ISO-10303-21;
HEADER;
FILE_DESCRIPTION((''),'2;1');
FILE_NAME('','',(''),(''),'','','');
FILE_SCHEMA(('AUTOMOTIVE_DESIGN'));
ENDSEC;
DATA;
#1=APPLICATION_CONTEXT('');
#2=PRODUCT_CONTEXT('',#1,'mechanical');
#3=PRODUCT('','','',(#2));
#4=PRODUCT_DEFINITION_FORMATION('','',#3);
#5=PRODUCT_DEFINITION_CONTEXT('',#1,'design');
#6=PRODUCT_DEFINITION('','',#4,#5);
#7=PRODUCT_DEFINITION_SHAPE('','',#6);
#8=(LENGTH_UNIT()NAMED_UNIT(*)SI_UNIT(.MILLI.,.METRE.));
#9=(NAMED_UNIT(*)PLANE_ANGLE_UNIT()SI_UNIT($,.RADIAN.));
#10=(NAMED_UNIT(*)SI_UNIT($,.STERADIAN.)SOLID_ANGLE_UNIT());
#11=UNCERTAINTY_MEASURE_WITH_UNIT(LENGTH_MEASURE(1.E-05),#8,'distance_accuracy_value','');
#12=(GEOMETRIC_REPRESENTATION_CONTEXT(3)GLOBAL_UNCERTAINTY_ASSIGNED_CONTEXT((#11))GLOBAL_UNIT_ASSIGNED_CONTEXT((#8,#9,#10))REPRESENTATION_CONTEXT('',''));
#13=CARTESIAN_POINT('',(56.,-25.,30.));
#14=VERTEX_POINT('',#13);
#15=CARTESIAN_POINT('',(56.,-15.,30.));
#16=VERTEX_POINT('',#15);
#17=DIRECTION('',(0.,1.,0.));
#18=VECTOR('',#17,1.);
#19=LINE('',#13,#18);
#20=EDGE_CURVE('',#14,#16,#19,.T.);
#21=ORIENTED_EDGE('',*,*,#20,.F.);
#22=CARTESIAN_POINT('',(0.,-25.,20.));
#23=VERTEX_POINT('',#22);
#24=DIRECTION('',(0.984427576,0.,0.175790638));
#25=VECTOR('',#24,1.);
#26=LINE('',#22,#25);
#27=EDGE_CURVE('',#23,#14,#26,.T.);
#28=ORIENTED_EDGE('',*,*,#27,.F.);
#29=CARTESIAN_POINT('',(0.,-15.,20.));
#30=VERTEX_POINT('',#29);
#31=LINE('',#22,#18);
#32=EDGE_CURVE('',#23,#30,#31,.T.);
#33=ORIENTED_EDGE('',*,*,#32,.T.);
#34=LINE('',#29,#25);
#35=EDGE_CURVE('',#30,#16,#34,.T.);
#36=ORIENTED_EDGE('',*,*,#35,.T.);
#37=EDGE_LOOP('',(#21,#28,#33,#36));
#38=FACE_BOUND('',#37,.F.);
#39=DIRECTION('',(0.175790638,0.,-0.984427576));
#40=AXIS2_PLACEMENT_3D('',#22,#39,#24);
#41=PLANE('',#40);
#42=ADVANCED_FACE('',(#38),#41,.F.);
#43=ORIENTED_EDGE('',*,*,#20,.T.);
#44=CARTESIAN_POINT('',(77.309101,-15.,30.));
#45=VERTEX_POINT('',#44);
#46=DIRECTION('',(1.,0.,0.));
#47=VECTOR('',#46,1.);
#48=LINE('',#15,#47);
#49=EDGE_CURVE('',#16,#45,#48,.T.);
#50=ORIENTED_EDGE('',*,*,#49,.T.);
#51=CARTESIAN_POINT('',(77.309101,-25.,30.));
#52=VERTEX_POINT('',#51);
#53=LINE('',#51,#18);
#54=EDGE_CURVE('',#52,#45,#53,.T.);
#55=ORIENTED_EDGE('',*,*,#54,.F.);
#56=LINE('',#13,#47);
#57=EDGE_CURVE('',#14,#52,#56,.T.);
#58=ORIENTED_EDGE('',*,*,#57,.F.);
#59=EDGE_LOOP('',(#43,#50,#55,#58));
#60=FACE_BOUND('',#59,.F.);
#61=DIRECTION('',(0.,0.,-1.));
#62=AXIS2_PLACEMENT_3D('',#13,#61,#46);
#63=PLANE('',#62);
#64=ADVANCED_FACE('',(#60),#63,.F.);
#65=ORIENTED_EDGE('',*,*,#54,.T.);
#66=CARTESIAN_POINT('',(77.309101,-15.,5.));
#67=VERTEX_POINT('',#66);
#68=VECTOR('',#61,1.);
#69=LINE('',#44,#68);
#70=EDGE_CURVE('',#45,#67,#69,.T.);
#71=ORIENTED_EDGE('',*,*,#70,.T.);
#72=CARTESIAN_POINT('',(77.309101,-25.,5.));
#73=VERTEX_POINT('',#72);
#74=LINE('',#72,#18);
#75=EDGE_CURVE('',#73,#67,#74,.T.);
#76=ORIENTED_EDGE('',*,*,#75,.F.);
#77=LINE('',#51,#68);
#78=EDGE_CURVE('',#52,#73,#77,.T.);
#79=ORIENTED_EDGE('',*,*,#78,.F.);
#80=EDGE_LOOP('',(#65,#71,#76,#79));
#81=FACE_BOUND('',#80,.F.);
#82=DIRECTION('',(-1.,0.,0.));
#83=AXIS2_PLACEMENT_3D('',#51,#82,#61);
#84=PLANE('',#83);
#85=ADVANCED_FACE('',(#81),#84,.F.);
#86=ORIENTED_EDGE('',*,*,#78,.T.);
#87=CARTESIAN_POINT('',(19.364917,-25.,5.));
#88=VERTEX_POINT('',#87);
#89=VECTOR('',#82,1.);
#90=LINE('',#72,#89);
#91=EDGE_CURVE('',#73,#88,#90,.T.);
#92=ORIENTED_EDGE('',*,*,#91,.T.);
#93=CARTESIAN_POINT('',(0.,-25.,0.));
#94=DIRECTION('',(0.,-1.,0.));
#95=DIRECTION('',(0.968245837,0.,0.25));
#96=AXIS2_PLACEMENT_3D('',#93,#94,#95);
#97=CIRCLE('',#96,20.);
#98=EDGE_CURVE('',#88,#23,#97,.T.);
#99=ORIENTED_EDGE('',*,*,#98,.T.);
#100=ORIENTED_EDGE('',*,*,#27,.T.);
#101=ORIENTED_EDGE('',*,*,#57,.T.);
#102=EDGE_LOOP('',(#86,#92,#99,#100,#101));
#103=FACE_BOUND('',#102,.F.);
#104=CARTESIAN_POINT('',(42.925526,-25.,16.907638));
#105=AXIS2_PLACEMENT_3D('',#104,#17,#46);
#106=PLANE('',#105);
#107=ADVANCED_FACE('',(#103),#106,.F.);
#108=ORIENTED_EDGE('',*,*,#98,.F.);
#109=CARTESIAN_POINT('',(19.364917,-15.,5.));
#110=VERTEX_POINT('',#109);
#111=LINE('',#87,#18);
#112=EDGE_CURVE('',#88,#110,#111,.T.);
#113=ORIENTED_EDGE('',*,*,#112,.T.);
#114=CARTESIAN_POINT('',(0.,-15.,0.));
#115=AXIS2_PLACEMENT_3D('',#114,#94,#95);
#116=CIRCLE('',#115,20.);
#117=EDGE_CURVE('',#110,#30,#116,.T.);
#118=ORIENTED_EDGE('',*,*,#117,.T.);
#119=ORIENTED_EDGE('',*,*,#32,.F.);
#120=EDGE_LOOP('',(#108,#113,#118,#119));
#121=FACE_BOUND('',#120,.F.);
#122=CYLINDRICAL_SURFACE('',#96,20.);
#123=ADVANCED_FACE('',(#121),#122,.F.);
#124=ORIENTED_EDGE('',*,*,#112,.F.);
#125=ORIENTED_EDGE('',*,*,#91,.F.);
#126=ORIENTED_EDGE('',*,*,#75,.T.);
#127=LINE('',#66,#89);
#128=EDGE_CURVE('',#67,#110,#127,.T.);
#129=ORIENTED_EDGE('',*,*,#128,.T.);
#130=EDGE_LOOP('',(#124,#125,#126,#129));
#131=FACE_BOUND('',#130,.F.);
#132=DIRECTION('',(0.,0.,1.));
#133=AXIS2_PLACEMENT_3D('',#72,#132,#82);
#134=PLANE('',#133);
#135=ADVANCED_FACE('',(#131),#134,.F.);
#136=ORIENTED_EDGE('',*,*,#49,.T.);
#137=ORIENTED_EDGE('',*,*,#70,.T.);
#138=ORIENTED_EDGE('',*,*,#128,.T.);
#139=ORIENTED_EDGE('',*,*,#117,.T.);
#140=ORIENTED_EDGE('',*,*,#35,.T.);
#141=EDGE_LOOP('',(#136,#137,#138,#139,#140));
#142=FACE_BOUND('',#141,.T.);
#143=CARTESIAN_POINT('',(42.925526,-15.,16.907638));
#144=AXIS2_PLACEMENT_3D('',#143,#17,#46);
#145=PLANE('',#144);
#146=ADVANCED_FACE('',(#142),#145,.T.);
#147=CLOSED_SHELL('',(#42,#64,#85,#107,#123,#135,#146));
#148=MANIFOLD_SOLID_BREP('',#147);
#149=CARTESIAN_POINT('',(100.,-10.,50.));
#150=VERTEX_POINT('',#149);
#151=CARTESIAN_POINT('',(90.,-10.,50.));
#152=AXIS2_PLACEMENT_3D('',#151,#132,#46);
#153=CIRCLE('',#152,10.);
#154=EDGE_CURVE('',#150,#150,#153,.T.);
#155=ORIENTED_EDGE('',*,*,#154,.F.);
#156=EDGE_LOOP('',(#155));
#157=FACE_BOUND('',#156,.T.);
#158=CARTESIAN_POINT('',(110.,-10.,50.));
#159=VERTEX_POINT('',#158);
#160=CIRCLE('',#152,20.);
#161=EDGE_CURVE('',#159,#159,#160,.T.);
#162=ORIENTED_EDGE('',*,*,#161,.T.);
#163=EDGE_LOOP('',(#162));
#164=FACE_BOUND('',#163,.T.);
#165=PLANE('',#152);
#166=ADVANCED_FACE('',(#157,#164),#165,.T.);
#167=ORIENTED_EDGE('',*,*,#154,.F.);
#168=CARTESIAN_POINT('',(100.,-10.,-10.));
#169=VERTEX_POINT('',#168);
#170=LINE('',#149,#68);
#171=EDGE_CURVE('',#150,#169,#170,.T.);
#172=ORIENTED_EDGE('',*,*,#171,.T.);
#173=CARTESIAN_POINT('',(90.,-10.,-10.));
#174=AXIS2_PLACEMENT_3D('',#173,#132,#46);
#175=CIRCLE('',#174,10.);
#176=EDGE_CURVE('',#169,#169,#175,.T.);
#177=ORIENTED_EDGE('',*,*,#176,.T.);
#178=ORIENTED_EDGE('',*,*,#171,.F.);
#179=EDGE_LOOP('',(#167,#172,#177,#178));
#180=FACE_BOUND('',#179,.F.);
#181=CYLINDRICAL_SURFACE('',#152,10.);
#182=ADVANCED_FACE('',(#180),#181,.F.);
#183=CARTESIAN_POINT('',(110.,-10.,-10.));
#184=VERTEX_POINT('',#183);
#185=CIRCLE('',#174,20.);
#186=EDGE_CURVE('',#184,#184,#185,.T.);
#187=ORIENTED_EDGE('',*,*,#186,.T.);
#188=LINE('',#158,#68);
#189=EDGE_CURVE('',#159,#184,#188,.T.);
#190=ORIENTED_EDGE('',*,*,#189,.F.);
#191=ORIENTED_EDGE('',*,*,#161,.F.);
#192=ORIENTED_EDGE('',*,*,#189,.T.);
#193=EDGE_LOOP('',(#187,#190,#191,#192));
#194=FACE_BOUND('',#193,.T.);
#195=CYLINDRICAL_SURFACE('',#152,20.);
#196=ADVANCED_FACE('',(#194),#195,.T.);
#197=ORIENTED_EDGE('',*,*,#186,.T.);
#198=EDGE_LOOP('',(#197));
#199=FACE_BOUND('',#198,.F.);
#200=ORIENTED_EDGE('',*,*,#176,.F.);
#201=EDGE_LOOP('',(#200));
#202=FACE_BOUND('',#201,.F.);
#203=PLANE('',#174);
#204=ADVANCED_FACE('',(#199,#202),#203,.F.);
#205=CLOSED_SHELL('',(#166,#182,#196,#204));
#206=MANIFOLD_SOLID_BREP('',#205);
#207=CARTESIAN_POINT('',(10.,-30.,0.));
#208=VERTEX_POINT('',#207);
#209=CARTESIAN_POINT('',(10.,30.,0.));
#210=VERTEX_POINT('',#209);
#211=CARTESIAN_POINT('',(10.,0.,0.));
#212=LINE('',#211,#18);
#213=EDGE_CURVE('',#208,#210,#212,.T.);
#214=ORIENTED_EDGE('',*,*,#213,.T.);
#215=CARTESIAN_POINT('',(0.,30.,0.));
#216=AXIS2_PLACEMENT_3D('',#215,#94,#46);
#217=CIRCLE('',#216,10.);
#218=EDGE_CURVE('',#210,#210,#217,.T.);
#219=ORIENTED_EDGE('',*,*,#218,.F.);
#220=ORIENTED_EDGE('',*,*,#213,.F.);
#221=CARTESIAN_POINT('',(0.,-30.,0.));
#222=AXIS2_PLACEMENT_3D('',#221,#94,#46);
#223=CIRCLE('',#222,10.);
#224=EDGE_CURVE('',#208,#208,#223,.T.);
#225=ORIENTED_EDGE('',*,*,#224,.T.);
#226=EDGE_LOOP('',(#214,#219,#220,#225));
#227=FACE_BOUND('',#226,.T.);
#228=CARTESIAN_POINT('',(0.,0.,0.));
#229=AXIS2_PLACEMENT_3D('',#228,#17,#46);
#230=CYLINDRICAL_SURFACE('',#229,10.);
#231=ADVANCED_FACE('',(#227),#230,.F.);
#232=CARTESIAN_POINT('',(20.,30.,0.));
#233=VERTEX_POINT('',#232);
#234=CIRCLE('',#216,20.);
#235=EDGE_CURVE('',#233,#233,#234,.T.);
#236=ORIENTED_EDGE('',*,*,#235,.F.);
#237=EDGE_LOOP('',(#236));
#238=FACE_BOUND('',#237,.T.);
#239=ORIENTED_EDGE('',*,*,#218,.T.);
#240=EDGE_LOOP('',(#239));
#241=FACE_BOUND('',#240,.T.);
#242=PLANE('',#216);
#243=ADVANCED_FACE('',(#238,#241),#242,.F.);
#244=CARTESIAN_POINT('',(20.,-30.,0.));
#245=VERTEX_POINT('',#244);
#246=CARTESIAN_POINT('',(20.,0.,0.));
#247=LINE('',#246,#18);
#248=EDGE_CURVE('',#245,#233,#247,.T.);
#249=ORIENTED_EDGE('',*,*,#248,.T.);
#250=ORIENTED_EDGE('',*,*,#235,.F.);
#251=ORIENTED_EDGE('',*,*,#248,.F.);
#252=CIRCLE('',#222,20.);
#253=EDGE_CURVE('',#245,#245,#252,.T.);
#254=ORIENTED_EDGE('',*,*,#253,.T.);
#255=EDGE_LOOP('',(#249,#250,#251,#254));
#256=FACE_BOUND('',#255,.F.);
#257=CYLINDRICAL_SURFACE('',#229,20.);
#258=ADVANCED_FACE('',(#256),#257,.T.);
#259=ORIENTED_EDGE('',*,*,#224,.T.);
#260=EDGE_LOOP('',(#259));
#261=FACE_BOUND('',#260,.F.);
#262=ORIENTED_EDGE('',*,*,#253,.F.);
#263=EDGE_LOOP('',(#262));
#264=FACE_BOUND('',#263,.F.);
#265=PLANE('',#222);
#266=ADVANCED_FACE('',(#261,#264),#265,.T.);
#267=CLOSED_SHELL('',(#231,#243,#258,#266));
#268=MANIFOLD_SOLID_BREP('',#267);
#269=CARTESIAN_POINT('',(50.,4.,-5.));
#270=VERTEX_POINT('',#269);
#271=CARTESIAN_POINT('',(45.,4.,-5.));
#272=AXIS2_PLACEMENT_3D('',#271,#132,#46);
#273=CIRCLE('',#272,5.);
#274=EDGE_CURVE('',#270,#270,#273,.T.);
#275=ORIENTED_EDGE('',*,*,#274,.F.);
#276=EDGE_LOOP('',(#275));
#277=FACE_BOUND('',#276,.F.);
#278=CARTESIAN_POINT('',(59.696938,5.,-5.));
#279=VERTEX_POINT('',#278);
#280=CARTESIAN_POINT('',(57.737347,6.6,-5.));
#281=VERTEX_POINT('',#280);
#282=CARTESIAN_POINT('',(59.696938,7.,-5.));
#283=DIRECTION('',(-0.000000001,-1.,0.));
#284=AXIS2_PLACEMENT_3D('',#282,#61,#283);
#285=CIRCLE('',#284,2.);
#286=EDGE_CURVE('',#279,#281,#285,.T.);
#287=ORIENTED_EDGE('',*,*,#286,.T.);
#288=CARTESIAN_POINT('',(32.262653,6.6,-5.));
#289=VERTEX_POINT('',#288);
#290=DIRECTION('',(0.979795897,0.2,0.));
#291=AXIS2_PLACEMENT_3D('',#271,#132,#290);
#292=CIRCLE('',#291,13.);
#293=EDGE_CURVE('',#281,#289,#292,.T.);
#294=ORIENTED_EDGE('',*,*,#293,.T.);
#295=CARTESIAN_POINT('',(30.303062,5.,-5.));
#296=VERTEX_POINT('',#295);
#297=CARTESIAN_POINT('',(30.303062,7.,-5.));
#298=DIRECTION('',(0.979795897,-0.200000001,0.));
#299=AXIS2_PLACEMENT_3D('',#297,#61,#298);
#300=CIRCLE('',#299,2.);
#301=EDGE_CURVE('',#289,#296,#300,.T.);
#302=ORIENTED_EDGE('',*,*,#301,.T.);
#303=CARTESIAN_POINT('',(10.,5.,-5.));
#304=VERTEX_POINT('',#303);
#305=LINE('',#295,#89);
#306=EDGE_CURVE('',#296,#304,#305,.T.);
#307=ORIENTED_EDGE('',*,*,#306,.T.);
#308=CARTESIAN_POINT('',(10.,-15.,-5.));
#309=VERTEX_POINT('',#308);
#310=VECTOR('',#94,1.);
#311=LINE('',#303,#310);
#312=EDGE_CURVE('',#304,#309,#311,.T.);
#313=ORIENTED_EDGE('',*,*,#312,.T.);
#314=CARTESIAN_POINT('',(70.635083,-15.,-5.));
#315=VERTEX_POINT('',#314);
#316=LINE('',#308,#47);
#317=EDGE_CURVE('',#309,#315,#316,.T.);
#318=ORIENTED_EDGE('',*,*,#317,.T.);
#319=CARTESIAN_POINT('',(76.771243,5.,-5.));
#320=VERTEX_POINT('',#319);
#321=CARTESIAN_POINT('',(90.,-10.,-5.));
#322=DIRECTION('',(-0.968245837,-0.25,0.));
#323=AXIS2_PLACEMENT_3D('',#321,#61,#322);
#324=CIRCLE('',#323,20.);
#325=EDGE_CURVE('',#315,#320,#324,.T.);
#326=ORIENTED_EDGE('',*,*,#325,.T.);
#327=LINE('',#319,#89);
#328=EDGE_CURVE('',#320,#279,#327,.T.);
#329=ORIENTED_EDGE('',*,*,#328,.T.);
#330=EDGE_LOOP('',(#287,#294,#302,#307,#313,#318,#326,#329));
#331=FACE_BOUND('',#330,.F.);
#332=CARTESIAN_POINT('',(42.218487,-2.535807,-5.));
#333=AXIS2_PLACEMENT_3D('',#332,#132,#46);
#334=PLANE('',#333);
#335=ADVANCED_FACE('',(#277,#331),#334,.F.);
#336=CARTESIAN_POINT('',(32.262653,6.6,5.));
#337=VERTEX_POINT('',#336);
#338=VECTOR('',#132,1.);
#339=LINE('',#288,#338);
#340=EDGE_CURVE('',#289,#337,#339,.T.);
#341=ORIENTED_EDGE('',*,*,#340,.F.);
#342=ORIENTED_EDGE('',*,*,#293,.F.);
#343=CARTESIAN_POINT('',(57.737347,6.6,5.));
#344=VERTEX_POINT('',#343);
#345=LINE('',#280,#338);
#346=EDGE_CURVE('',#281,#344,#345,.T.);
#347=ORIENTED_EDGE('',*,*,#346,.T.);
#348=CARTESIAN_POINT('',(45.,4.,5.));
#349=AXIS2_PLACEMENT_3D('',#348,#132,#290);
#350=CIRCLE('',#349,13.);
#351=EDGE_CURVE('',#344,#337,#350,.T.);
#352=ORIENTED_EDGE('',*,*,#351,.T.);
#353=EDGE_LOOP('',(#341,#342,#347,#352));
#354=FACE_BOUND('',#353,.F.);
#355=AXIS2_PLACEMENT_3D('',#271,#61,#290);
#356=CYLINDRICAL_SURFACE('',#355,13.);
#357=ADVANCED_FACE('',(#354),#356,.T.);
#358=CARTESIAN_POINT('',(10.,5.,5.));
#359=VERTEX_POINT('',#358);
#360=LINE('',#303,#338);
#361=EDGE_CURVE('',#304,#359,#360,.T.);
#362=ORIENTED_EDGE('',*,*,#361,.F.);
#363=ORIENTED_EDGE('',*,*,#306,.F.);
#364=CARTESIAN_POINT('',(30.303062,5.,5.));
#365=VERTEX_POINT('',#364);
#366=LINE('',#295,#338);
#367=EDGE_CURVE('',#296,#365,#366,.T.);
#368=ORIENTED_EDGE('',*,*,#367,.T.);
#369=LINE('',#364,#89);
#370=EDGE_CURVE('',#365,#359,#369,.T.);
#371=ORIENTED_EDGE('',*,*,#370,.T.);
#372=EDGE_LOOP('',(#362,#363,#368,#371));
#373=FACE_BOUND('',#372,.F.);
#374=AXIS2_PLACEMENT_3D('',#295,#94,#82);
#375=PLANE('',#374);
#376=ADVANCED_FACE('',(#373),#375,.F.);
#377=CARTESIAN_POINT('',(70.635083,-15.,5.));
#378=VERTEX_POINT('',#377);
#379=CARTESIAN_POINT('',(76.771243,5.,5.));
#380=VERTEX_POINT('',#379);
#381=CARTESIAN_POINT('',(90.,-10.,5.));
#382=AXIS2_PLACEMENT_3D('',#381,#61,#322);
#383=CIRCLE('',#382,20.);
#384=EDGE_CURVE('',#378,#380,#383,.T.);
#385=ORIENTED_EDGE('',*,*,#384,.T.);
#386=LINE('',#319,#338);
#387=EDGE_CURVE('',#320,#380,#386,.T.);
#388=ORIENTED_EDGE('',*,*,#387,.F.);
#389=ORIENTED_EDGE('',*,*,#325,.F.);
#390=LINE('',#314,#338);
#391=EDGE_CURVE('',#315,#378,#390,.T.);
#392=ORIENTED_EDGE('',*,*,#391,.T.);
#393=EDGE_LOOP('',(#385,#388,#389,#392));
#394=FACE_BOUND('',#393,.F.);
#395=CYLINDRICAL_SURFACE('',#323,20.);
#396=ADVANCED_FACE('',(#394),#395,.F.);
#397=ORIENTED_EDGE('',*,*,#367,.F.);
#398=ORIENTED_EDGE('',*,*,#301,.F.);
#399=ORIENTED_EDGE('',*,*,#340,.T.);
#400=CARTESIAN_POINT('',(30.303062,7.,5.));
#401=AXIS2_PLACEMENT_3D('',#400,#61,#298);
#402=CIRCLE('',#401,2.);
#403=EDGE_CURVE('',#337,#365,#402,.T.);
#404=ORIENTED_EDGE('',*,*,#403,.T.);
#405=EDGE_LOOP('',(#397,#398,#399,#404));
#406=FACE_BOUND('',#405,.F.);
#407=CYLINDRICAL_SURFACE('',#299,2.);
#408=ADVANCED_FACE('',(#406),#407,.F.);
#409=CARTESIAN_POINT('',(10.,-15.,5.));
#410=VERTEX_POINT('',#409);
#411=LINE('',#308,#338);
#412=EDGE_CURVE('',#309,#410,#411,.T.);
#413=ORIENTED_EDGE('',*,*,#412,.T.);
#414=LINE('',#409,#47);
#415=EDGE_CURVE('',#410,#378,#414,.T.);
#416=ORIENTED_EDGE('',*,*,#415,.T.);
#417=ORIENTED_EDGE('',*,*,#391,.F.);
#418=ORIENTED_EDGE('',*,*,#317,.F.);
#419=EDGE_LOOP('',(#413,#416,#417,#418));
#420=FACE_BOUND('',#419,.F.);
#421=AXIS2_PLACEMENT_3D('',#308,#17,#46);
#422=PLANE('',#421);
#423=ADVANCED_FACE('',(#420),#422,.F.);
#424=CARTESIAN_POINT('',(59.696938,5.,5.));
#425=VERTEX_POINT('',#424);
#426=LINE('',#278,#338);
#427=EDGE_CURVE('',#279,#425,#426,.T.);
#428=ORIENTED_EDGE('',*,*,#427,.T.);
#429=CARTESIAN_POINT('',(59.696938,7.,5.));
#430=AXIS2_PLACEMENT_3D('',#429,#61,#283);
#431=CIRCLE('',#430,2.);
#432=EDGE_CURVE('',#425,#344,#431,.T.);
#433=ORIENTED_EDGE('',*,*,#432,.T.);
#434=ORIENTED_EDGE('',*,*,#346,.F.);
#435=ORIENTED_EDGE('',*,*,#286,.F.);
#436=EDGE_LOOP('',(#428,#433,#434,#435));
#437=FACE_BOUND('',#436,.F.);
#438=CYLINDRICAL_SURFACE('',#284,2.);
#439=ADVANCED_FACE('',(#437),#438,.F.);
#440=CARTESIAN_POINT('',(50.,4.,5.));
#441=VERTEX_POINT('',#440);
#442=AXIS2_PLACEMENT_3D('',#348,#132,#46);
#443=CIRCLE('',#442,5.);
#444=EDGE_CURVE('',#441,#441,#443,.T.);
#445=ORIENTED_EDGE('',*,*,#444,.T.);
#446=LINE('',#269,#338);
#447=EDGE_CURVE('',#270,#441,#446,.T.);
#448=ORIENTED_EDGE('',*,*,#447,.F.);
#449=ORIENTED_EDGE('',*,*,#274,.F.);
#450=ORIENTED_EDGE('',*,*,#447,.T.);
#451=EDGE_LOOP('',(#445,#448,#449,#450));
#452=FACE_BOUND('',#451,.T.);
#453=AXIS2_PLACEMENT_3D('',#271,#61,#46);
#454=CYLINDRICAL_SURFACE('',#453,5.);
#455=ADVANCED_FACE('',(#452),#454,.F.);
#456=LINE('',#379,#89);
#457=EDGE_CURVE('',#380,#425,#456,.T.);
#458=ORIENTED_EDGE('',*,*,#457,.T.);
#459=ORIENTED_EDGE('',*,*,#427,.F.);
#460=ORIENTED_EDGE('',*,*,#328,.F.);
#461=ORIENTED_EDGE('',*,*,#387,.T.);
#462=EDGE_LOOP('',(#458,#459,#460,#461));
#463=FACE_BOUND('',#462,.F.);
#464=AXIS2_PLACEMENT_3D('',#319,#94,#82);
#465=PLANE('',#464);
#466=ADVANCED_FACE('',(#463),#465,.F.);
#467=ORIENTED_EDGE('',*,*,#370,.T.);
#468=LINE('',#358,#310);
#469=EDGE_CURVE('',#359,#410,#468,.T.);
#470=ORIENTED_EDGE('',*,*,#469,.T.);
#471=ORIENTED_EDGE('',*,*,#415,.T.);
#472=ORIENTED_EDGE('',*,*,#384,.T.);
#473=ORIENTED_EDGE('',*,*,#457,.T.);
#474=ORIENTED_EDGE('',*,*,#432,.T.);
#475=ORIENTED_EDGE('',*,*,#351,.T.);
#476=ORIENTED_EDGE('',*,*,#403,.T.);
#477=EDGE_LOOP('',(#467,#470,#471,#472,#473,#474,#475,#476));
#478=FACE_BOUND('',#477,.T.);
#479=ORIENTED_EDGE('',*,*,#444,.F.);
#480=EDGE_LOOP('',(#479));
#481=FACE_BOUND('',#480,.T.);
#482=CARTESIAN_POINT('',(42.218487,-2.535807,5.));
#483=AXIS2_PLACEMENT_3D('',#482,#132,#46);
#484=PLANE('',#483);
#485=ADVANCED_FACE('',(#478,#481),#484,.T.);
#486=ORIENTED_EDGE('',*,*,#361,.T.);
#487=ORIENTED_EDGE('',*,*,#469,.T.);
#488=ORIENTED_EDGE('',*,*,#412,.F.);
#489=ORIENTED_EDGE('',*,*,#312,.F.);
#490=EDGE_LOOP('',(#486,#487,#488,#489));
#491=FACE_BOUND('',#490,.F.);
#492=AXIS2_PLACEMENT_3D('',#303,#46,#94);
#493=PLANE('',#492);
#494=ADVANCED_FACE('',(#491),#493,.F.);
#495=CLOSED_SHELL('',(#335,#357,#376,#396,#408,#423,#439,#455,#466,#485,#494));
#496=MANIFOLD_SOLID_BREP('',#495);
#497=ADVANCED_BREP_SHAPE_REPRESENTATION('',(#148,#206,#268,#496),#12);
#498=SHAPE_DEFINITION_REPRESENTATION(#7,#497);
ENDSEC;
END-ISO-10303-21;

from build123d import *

# Parameters (mm, degrees)
SKETCH1_W         = 10
SKETCH1_H         = 60
SKETCH3_R         = 20
SKETCH3_R_2       = 10
CYL_BLUE_DEPTH    = 60
SKETCH4_R         = 5
BASE_YELLOW_DEPTH = 10
BASE_RED_DEPTH    = 10


with BuildPart() as part:
    # Sketch1 → cyl- purple (revolve)
    with BuildSketch(Plane.XY):
        with Locations((15, 0)):
            Rectangle(SKETCH1_W, SKETCH1_H)
    revolve(axis=Axis((0, 30, 0), (0, -1, 0)))


with BuildPart() as body_2:
    # Sketch3 → cyl- blue (new body)
    with BuildSketch(Plane.XY.offset(50)):
        with Locations((90, -10)):
            Circle(SKETCH3_R)
        with Locations((90, -10)):
            Circle(SKETCH3_R_2, mode=Mode.SUBTRACT)
    extrude(amount=-CYL_BLUE_DEPTH)


with BuildPart() as body_3:
    # Sketch4 → base- yellow (new body)
    with BuildSketch(Plane.XY.offset(-5)):
        with BuildLine():
            Line((10, -15), (70.635083269, -15))
            ThreePointArc((70.635083269, -15), (70.879673523, -4.133730706), (76.771243445, 5))
            Line((76.771243445, 5), (59.696938457, 5))
            ThreePointArc((59.696938457, 5), (58.432027393, 5.450806662), (57.737346662, 6.6))
            ThreePointArc((57.737346662, 6.6), (45, 17), (32.262653338, 6.6))
            ThreePointArc((32.262653338, 6.6), (31.567972607, 5.450806662), (30.303061543, 5))
            Line((30.303061543, 5), (10, 5))
            Line((10, 5), (10, -15))
        make_face()
        with Locations((45, 4)):
            Circle(SKETCH4_R, mode=Mode.SUBTRACT)
    extrude(amount=BASE_YELLOW_DEPTH)


with BuildPart() as body_4:
    # Sketch6 → base-red (new body)
    with BuildSketch(Plane(origin=(0, -25, 0), x_dir=(1, 0, 0), z_dir=(0, 1, 0))):
        with BuildLine():
            Line((0, -20), (56, -30))
            Line((56, -30), (77.309100809, -30))
            Line((77.309100809, -30), (77.309100809, -5))
            Line((77.309100809, -5), (19.364916731, -5))
            ThreePointArc((19.364916731, -5), (12.247448714, -15.811388301), (0, -20))
        make_face()
    extrude(amount=BASE_RED_DEPTH)


solid = Compound([part.part, body_2.part, body_3.part, body_4.part])
